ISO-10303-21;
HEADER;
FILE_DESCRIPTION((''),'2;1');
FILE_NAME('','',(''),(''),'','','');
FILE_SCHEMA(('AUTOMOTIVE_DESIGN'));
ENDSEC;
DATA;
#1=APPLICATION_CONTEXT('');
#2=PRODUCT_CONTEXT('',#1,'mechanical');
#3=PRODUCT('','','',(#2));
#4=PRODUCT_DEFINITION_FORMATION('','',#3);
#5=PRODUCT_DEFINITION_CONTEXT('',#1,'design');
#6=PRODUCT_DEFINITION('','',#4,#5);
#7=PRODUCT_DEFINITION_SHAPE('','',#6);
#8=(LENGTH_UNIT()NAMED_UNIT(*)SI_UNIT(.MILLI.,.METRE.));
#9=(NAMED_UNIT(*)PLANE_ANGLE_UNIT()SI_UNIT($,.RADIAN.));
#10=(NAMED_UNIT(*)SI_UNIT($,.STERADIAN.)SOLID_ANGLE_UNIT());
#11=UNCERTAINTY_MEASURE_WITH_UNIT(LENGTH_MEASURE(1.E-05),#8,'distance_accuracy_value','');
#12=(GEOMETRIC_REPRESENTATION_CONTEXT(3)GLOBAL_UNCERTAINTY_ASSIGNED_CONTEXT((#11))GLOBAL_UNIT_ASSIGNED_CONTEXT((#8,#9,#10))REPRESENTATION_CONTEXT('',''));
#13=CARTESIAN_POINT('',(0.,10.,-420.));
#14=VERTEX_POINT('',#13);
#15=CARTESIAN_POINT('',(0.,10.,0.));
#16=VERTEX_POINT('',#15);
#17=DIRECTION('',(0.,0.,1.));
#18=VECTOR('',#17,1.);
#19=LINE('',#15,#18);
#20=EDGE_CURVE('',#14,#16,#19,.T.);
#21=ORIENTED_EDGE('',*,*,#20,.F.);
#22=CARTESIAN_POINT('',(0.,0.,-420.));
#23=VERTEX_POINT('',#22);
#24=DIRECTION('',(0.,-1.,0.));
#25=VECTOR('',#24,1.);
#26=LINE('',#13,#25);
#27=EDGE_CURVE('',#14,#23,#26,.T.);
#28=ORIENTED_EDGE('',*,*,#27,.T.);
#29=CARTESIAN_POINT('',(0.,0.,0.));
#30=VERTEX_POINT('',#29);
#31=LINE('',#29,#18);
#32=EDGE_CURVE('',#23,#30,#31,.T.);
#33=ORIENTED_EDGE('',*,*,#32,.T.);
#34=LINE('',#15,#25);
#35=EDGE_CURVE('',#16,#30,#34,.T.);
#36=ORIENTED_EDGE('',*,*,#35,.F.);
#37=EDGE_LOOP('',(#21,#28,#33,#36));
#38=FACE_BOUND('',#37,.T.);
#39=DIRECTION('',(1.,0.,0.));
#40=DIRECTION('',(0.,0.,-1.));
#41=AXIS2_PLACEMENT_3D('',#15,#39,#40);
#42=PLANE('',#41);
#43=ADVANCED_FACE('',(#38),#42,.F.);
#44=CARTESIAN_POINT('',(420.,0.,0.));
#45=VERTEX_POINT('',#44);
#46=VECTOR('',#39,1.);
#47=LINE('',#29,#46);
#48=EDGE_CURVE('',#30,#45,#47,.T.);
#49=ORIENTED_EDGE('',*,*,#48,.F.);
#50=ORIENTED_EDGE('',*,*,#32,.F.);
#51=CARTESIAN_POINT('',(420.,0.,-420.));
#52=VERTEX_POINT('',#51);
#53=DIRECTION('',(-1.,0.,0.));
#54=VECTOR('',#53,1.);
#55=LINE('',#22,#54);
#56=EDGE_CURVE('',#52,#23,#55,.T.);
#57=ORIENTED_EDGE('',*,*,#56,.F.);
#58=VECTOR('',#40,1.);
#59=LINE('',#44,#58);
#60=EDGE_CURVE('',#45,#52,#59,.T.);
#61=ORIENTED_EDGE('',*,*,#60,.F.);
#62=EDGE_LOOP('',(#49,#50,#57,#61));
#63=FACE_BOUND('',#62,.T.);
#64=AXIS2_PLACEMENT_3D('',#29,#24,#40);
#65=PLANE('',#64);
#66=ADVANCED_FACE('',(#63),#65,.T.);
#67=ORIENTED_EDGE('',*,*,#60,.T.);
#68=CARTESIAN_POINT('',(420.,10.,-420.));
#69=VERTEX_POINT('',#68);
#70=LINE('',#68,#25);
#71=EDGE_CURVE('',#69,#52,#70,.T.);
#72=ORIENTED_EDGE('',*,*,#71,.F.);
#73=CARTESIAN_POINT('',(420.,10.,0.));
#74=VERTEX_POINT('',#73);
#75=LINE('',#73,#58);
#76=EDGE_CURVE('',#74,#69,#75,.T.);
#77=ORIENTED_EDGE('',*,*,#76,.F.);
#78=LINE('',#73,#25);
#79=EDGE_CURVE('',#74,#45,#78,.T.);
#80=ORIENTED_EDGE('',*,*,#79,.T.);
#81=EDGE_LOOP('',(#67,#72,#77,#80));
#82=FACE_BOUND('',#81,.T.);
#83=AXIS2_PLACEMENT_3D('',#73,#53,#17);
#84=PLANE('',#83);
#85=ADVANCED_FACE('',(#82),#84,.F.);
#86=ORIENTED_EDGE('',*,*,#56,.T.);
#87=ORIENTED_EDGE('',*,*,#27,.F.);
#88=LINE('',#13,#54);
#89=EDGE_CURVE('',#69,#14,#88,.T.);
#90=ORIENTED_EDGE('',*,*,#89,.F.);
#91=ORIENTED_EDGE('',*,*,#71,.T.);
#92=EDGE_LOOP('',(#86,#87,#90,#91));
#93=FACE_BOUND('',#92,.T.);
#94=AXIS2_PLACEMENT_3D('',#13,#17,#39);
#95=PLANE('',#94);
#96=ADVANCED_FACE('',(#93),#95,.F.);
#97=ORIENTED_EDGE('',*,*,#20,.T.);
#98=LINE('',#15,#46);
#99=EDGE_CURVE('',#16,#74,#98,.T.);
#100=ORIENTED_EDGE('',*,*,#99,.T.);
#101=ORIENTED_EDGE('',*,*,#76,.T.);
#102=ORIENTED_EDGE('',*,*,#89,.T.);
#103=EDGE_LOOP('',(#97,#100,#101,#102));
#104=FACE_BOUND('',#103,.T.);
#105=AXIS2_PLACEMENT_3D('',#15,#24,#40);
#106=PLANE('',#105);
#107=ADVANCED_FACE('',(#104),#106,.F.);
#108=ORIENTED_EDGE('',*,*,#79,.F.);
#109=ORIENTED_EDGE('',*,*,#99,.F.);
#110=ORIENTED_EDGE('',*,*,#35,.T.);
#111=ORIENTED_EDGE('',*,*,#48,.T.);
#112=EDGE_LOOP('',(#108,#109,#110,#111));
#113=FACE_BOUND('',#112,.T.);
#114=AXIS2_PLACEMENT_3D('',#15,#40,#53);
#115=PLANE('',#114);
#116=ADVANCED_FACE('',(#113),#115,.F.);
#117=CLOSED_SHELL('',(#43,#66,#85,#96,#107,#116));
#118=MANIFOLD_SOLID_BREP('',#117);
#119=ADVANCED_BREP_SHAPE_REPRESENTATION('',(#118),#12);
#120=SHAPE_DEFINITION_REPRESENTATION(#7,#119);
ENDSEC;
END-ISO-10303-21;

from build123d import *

# Parameters (mm, degrees)
ESQUISSE1_W        = 420
ESQUISSE1_H        = 420
BOSS_EXTRU_1_DEPTH = 10


with BuildPart() as part:
    # Esquisse1 → Boss.-Extru.1 (new body)
    with BuildSketch(Plane(origin=(0, 0, 0), x_dir=(1, 0, 0), z_dir=(0, 1, 0))):
        with Locations((210, 210)):
            Rectangle(ESQUISSE1_W, ESQUISSE1_H)
    extrude(amount=BOSS_EXTRU_1_DEPTH)


solid = part.part
